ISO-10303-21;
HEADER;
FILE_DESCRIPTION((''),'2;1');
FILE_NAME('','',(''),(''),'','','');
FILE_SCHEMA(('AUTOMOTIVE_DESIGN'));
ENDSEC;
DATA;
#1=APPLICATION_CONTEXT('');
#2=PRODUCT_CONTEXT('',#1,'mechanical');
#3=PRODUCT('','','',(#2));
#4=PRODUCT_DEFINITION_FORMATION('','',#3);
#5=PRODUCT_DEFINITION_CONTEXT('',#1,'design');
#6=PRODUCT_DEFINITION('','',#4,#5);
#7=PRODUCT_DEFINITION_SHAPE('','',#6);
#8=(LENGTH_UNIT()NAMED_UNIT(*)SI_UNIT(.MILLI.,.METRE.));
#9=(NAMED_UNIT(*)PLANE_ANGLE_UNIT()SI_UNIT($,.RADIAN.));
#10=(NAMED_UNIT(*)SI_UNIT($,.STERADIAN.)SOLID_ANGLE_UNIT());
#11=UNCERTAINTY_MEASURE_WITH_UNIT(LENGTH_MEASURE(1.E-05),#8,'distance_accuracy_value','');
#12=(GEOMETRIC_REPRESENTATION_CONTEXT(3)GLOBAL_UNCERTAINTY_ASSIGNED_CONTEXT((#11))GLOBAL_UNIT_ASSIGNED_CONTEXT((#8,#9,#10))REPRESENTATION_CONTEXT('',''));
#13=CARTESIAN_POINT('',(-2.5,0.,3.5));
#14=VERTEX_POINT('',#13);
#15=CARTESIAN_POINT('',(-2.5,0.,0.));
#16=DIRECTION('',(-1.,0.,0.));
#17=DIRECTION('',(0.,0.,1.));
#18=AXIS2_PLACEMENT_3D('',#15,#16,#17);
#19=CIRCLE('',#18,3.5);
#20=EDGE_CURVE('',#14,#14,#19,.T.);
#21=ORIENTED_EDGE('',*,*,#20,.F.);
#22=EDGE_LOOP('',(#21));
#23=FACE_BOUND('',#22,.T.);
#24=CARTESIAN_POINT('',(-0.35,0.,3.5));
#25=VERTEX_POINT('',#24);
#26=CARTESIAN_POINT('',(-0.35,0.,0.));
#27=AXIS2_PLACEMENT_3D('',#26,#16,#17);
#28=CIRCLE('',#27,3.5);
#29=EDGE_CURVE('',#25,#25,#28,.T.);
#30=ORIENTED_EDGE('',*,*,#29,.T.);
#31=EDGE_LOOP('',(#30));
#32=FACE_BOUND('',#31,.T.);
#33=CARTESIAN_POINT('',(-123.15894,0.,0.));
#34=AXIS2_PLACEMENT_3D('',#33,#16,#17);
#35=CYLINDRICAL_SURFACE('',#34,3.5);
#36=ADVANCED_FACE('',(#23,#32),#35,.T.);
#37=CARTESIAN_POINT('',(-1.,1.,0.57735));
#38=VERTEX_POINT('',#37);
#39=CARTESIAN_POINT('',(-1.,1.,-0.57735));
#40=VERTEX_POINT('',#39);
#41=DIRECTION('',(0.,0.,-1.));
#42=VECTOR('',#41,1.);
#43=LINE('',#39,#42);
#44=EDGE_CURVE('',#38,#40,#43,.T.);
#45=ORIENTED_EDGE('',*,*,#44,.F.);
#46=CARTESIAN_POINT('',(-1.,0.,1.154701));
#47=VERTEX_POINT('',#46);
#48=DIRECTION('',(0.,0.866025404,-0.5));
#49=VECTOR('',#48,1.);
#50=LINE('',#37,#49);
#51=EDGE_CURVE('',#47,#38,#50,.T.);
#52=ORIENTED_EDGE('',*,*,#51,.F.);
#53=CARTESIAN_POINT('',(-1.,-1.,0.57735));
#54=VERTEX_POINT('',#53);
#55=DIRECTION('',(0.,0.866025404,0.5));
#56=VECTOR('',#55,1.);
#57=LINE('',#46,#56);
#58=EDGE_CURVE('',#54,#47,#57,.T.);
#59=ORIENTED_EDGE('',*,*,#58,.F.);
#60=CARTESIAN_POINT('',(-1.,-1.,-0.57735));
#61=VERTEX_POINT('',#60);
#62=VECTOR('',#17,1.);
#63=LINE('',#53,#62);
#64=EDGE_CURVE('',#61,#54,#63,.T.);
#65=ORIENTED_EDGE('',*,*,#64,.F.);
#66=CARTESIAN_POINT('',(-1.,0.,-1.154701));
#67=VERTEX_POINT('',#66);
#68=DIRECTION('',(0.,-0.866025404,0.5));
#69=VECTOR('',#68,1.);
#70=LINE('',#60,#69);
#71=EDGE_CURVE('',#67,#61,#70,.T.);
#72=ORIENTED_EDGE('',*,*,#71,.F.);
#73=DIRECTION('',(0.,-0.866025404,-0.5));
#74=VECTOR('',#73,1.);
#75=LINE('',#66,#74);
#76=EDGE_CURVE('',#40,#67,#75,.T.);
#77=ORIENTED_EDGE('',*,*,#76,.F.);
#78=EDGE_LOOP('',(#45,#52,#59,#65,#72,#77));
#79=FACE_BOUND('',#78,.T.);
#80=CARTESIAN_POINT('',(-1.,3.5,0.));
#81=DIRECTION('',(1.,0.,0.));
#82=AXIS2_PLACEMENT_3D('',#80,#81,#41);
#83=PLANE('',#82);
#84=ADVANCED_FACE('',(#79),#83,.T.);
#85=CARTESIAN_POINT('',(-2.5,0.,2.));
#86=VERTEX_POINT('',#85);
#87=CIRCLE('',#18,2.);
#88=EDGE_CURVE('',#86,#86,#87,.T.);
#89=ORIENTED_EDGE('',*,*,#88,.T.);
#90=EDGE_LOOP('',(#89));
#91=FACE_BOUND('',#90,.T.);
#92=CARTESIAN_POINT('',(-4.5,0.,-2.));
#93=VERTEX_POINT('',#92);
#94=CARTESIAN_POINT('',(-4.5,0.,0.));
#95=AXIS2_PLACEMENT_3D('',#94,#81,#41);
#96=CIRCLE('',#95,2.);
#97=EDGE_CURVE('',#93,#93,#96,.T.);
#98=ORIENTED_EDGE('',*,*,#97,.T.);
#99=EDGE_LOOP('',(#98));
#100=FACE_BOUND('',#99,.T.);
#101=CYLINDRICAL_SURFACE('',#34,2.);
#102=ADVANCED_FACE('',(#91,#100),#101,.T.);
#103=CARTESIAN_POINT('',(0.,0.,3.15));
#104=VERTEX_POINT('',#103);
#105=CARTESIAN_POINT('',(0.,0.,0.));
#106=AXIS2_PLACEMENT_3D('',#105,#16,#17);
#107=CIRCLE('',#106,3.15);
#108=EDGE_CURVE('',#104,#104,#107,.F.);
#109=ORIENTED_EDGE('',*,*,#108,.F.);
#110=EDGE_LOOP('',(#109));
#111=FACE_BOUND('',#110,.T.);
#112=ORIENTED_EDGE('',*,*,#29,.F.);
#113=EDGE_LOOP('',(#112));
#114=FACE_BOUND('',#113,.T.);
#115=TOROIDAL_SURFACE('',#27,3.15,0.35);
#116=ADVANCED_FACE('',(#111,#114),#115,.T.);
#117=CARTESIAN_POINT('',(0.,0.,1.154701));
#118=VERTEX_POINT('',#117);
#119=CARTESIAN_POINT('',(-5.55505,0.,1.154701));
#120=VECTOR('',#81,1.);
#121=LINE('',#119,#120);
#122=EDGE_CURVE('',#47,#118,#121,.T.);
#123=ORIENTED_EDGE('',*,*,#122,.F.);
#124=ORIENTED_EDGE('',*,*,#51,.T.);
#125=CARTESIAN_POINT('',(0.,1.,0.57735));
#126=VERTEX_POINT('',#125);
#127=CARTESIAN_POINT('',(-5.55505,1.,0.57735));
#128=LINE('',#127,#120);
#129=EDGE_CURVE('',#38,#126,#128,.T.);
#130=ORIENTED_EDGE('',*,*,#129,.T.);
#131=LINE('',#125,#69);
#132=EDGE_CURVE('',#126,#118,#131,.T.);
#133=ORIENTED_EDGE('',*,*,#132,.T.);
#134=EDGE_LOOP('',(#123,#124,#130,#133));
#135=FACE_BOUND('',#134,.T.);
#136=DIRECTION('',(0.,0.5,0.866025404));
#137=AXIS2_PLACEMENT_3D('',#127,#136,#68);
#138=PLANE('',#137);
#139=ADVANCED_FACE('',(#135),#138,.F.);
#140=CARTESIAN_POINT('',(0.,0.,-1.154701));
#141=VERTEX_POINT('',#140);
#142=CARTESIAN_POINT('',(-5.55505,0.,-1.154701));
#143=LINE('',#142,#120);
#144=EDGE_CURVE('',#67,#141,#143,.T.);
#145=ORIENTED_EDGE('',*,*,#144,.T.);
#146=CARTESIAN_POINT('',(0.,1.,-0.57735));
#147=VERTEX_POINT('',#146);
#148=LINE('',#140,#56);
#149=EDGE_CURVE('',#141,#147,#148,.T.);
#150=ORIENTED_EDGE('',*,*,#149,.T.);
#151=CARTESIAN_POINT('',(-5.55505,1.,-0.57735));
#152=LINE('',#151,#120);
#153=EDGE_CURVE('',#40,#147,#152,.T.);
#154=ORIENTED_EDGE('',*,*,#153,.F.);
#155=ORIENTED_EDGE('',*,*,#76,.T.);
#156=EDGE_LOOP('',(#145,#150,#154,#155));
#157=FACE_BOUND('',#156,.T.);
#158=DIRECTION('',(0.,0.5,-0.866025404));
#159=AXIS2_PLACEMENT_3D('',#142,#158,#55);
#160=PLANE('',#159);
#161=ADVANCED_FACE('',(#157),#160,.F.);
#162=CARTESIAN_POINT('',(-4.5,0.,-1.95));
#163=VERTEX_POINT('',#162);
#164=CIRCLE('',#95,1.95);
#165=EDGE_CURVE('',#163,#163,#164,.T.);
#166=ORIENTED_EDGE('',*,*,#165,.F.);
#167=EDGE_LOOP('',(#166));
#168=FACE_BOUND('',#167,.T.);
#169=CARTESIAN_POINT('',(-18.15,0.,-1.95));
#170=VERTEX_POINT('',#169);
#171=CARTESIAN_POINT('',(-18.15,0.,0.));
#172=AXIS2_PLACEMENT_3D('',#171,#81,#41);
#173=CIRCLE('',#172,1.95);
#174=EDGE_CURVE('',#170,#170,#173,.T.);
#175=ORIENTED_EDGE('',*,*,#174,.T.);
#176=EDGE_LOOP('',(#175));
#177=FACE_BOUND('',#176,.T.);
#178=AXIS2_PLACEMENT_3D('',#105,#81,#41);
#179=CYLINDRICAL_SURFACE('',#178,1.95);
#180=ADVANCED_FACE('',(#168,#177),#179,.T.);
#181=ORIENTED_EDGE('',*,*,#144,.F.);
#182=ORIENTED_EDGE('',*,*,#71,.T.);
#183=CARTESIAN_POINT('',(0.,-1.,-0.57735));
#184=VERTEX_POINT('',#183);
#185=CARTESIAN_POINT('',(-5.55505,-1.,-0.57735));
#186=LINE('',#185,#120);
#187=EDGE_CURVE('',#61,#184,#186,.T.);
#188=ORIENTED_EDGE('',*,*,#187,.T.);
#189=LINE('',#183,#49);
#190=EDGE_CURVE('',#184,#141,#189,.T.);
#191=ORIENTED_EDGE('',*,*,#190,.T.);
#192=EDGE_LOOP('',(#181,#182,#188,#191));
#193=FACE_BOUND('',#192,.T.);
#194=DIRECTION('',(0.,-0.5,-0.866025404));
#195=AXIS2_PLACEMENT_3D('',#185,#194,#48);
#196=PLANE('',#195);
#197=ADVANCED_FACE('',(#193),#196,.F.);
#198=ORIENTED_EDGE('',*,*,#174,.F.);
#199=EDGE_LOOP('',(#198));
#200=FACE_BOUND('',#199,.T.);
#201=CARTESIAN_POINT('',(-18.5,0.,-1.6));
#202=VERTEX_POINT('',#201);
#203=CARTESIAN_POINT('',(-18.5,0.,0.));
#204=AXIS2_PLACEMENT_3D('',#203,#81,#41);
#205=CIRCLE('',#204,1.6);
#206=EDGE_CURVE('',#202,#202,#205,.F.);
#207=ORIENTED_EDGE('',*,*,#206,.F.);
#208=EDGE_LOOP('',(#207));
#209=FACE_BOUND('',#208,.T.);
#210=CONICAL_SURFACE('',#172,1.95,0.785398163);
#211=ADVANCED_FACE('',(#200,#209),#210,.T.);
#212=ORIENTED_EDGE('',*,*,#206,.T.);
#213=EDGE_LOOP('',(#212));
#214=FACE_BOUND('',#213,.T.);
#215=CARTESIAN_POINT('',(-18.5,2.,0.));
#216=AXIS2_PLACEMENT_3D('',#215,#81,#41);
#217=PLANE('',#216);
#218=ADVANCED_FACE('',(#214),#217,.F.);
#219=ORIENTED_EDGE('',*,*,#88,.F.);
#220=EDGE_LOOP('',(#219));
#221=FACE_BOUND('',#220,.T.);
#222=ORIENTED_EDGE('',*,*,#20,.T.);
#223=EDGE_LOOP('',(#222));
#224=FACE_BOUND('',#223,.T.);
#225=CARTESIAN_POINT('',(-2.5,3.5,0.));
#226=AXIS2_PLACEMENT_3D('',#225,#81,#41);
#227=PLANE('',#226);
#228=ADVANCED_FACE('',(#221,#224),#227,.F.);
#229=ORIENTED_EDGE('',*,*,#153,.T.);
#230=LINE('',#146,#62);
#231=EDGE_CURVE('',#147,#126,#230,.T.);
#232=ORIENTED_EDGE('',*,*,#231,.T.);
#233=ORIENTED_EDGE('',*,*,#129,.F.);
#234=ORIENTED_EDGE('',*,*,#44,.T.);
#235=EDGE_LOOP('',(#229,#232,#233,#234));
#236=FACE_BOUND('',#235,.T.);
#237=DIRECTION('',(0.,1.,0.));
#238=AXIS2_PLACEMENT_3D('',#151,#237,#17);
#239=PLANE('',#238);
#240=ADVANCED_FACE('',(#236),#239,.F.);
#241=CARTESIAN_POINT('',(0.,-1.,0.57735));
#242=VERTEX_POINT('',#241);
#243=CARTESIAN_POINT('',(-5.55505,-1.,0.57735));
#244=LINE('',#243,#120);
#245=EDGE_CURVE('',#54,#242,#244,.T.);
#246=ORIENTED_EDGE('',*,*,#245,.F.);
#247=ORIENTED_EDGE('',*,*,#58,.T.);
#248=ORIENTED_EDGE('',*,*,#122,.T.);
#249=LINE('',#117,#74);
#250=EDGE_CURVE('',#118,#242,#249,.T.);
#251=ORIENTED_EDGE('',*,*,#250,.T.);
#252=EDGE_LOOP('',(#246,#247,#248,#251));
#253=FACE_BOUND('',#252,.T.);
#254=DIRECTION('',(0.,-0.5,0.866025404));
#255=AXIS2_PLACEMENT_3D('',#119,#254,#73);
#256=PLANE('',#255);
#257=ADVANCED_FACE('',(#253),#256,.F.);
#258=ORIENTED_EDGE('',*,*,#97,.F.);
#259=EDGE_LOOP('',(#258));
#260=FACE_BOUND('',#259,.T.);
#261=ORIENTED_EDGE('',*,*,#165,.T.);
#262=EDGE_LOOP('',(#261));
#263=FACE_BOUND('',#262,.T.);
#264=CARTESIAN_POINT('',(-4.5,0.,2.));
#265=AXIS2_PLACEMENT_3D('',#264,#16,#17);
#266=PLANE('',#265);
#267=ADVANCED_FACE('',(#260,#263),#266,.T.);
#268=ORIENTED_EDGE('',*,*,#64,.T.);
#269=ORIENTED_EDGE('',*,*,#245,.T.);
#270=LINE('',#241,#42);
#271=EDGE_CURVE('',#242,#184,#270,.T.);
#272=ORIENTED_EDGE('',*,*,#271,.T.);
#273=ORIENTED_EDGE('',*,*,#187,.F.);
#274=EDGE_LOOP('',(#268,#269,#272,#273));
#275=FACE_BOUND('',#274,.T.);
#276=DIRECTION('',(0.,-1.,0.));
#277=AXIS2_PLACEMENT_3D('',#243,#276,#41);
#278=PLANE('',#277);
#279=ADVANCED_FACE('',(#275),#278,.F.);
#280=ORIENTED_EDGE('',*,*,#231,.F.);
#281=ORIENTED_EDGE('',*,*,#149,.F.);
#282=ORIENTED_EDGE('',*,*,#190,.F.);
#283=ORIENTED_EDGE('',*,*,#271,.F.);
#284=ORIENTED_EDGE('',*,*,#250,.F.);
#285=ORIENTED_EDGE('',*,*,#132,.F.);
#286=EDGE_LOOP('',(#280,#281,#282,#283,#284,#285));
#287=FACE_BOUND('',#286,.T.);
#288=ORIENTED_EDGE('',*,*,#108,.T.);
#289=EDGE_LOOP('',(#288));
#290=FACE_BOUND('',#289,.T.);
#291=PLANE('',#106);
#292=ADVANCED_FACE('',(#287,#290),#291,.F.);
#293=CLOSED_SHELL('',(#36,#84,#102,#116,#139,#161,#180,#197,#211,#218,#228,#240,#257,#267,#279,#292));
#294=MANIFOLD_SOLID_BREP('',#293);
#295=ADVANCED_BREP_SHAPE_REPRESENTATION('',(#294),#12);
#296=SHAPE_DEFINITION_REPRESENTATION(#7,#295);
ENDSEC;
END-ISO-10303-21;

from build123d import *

# Parameters (mm, degrees)
SZKIC4_W                   = 14
SZKIC4_H                   = 0.05
SFAZOWANIE1_SIZE           = 0.35
ZAOKR_GLENIE1_R            = 0.35
WYTNIJ_WYCI_GNI_CIE1_DEPTH = 1


with BuildPart() as part:
    # Szkic1 → Obrót1 (revolve)
    with BuildSketch(Plane.XY):
        Polygon((0, 0), (0, 3.5), (-2.5, 3.5), (-2.5, 2), (-18.5, 2), (-18.5, 0), align=None)
    revolve(axis=Axis((-123.158940217, 0, 0), (1, 0, 0)))

    # Szkic4 → Wycięcie-obrót1 (revolve, cut)
    with BuildSketch(Plane(origin=(0, 0, 0), x_dir=(1, 0, 0), z_dir=(0, 1, 0))):
        with Locations((-11.5, -1.975)):
            Rectangle(SZKIC4_W, SZKIC4_H)
    revolve(axis=Axis((0, 0, 0), (-1, 0, 0)), mode=Mode.SUBTRACT)

    # Sfazowanie1
    sfazowanie1_edges = [part.edges().sort_by_distance(p)[0] for p in [
        (-18.5, 0, -1.95),
    ]]
    chamfer(sfazowanie1_edges, length=SFAZOWANIE1_SIZE)

    # Zaokrąglenie1
    zaokr_glenie1_edges = [part.edges().sort_by_distance(p)[0] for p in [
        (0, -3.5, 0),
    ]]
    fillet(zaokr_glenie1_edges, radius=ZAOKR_GLENIE1_R)

    # Szkic2 → Wytnij-wyciągnięcie1 (cut)
    with BuildSketch(Plane(origin=(0, 0, 0), x_dir=(0, 0, -1), z_dir=(1, 0, 0))):
        Polygon((1.154700538, 0), (0.577350269, 1), (-0.577350269, 1), (-1.154700538, 0), (-0.577350269, -1), (0.577350269, -1), align=None)
    extrude(amount=-WYTNIJ_WYCI_GNI_CIE1_DEPTH, mode=Mode.SUBTRACT)


solid = part.part
